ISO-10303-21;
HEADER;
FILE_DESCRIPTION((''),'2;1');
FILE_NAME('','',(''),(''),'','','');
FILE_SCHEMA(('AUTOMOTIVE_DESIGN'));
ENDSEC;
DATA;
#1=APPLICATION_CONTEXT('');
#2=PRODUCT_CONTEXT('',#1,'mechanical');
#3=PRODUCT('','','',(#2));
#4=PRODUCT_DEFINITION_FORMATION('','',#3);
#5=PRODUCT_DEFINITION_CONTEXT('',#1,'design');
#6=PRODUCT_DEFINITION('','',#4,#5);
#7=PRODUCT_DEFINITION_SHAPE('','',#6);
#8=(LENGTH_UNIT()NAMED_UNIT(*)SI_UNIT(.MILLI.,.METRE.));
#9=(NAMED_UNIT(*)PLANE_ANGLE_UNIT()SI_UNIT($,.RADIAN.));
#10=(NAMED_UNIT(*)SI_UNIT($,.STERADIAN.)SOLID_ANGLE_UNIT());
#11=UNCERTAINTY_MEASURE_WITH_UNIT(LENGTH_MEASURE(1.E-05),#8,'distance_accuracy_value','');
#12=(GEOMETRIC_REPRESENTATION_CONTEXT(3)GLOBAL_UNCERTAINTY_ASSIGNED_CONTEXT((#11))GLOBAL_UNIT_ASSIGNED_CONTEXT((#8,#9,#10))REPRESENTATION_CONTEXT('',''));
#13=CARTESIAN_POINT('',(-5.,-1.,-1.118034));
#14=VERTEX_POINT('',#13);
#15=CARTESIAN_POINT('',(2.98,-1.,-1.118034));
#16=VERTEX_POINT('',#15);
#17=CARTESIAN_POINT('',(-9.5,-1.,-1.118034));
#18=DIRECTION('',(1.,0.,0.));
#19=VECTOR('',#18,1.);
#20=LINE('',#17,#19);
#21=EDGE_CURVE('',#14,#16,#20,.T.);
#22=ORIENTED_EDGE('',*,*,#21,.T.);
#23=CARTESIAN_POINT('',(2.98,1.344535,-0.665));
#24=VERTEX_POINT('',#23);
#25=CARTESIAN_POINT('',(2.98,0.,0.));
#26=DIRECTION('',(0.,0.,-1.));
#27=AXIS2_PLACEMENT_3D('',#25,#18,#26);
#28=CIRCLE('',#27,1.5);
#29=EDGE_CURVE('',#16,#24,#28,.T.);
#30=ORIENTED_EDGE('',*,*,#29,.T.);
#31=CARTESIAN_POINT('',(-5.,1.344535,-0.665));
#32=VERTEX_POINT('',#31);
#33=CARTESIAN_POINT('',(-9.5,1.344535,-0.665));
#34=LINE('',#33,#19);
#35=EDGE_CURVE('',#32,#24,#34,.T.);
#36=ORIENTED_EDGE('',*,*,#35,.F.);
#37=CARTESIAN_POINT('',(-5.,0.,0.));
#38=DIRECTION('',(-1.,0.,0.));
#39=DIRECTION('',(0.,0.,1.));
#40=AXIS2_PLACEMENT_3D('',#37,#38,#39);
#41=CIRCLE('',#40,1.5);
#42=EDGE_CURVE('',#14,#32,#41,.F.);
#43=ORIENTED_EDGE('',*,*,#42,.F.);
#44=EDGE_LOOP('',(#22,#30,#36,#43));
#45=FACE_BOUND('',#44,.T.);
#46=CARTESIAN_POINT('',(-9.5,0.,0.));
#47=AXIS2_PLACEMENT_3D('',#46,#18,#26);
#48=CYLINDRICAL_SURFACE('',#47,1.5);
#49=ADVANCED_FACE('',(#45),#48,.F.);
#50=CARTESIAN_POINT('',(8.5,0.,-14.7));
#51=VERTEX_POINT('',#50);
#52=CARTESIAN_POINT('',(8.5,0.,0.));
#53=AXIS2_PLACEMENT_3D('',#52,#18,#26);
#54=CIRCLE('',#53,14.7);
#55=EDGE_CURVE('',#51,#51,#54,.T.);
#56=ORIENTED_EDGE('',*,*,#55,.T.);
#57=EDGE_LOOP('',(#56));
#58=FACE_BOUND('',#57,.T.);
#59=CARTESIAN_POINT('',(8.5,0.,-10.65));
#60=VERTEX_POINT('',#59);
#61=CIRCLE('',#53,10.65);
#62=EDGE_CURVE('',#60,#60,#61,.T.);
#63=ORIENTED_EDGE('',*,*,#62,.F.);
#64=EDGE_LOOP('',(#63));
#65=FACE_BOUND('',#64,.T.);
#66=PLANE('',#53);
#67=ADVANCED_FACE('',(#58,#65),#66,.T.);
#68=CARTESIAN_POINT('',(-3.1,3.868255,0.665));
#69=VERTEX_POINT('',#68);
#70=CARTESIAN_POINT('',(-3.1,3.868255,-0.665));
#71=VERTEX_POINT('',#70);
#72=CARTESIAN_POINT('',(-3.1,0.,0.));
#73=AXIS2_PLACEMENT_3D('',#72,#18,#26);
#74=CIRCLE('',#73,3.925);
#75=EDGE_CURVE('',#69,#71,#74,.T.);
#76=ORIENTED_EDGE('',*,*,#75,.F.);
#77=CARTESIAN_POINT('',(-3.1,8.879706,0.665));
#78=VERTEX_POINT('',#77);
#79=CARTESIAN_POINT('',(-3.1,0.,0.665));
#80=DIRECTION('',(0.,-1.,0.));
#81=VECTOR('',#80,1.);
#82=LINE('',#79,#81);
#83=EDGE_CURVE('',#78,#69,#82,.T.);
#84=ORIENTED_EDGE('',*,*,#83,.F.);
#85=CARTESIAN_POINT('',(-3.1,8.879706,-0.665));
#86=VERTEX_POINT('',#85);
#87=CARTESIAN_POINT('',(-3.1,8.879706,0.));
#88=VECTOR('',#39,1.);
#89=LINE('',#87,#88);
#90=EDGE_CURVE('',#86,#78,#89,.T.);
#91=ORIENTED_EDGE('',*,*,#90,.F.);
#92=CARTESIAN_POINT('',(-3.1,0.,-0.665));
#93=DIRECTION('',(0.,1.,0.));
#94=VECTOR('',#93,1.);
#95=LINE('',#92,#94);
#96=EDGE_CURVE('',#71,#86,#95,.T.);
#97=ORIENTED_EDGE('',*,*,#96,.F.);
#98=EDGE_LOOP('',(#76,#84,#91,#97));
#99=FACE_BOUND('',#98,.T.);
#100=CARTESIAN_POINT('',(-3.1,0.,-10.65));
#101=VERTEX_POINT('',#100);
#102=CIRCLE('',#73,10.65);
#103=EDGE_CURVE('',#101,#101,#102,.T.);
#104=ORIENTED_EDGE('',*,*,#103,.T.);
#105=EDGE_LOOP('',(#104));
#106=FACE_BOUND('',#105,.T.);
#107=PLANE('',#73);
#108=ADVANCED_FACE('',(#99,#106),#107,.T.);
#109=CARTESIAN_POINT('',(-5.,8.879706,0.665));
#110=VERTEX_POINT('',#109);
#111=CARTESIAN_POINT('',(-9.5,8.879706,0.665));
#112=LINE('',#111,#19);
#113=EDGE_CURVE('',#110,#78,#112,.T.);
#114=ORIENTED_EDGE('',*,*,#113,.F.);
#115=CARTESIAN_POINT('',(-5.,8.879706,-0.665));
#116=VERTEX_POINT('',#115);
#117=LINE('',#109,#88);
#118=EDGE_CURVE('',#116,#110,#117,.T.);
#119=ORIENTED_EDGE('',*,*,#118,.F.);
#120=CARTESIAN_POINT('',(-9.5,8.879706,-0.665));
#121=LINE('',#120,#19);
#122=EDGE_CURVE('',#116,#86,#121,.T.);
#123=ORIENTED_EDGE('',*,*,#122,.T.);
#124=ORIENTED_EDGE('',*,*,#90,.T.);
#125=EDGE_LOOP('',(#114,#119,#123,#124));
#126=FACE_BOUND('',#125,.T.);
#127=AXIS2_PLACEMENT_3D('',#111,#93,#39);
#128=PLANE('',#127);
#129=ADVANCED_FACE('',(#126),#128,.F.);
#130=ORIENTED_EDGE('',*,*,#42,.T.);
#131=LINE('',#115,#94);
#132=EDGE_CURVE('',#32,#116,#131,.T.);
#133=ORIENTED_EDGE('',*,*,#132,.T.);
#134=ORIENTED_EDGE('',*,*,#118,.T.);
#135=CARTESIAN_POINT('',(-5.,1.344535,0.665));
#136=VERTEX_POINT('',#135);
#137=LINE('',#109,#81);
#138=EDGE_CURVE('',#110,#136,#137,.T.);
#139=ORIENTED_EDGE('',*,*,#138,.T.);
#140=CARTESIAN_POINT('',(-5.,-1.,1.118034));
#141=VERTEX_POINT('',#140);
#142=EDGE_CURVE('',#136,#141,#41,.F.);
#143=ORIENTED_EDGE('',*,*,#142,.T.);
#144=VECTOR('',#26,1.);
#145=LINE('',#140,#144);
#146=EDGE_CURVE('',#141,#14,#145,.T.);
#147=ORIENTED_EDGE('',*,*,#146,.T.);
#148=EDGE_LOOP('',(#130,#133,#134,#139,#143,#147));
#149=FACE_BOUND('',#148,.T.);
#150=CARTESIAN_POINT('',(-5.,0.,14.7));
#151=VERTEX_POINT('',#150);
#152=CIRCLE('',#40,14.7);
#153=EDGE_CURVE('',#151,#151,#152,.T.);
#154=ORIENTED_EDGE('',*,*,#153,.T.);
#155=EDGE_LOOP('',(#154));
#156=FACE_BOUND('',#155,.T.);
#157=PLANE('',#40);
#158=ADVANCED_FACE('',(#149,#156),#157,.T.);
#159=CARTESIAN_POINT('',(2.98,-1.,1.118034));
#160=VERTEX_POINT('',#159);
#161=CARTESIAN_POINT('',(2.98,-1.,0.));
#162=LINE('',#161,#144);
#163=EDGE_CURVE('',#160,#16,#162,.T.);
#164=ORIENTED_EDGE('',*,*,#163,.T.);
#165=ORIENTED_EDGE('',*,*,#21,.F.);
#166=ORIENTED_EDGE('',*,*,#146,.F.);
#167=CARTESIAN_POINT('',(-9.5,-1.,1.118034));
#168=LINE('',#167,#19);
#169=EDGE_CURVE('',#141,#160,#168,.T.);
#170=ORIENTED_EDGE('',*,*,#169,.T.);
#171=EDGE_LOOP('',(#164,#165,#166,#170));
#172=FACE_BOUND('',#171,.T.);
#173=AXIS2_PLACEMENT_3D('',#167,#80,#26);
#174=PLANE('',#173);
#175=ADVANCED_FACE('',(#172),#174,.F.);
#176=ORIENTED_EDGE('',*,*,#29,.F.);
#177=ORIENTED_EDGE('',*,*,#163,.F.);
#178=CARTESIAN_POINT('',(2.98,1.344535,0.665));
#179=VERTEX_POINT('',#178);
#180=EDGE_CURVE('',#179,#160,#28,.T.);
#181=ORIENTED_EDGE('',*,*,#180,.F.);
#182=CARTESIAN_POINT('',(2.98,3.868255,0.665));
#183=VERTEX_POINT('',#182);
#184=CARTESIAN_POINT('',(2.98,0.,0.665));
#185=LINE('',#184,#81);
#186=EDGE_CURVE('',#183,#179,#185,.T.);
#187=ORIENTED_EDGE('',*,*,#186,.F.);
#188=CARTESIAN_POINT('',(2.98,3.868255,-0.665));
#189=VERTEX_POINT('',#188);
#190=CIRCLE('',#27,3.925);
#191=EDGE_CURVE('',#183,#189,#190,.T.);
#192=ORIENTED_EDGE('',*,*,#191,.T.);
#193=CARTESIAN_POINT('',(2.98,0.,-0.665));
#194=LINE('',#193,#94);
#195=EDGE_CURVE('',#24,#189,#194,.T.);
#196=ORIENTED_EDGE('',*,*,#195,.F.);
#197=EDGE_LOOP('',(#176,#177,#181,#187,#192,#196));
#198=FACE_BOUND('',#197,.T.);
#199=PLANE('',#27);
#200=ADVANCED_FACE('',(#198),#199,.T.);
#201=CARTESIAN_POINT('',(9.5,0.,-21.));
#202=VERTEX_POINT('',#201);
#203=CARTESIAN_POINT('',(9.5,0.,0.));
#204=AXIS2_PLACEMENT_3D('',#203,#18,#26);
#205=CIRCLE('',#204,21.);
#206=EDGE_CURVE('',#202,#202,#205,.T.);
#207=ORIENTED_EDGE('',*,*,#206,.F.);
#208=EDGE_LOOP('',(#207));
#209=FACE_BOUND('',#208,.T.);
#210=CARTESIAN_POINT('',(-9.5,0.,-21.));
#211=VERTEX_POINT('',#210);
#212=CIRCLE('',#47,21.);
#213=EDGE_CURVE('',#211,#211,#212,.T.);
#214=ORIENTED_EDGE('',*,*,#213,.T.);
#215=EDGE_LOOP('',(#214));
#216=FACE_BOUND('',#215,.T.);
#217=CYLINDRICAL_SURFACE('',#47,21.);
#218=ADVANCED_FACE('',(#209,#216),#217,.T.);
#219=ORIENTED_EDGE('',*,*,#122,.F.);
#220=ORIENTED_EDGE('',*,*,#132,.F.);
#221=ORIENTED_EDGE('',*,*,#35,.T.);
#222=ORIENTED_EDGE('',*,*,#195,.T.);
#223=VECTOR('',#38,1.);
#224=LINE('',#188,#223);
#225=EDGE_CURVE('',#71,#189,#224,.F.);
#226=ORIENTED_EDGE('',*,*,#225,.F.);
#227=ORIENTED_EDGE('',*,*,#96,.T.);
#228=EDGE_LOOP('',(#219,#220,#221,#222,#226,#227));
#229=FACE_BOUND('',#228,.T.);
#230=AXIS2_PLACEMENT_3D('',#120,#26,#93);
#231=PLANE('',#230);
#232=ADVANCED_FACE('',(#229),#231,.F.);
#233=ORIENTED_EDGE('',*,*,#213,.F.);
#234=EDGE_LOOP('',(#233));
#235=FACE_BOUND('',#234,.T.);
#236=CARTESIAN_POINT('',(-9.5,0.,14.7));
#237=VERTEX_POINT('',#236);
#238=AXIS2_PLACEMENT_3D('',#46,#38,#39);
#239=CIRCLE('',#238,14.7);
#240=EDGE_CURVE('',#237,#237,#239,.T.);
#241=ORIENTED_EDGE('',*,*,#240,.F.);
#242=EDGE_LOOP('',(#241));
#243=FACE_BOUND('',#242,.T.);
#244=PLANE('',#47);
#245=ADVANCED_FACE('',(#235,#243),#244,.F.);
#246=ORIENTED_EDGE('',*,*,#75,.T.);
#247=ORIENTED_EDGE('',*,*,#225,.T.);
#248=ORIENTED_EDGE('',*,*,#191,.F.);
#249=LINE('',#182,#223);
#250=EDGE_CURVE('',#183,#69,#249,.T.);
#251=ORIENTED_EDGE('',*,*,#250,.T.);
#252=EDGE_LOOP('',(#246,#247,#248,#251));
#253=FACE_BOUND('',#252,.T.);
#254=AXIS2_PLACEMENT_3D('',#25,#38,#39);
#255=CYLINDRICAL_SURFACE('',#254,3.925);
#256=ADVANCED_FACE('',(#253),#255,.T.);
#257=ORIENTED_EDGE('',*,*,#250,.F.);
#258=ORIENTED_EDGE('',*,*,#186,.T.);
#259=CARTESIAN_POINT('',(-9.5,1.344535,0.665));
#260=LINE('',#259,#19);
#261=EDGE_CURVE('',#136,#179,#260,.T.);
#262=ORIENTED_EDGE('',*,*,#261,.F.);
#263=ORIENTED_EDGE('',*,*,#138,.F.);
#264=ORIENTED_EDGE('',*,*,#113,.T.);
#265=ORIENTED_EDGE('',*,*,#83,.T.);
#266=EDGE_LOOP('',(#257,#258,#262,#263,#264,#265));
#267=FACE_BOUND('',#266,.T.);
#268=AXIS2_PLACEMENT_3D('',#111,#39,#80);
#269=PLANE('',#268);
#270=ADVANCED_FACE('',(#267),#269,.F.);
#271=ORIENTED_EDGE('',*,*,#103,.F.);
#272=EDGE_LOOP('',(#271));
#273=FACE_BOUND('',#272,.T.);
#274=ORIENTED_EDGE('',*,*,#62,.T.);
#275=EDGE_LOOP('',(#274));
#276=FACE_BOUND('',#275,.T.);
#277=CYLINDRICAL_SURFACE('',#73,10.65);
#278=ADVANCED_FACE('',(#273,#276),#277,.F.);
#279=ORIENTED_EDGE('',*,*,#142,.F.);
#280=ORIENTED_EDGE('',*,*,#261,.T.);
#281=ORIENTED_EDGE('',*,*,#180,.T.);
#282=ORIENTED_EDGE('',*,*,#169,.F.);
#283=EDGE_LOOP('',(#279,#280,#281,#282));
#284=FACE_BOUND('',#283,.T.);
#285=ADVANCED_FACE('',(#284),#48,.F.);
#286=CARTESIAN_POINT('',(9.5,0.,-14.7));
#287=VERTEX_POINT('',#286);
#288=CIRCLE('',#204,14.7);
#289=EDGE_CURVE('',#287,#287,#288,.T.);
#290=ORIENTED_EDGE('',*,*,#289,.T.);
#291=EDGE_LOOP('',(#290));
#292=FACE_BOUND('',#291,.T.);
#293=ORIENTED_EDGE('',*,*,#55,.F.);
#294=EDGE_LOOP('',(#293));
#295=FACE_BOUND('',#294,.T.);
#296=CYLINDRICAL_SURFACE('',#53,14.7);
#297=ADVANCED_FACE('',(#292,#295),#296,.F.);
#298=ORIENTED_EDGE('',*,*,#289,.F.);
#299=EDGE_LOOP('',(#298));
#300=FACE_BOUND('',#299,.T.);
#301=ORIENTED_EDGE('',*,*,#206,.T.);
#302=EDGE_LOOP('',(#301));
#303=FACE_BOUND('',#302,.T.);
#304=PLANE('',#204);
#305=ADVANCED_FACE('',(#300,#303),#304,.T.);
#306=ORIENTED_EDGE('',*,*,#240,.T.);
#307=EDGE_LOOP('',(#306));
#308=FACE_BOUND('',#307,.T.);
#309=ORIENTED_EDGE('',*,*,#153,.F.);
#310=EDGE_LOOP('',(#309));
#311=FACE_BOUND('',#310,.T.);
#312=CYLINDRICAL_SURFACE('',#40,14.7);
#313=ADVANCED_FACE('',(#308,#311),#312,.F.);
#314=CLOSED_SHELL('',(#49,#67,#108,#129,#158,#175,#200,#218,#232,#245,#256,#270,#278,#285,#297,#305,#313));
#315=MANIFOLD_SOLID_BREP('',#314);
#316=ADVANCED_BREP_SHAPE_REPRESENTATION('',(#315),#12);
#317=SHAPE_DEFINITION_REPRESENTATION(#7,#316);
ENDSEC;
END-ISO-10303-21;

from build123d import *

# Parameters (mm, degrees)
BOSS_EXTRUDE1_DEPTH      = 9.5
BOSS_EXTRUDE1_DEPTH_BACK = 9.5
SKETCH1_R                = 21
SKETCH5_R                = 14.7
CUT_EXTRUDE3_DEPTH       = 1
SKETCH6_R                = 10.65
CUT_EXTRUDE4_DEPTH       = 11.6
SKETCH7_R                = 3.925
BOSS_EXTRUDE2_DEPTH      = 6.08
CUT_EXTRUDE1_DEPTH       = 36.256205128
CUT_EXTRUDE2_START       = -4.5
SKETCH4_R                = 14.7
CUT_EXTRUDE2_DEPTH       = 4.5


with BuildPart() as part:
    # Sketch1 → Boss-Extrude1 (new, two sides: drawn at the far end of the back side and taken through both)
    with BuildSketch(Plane(origin=(0, 0, 0), x_dir=(0, 0, -1), z_dir=(1, 0, 0)).offset(-BOSS_EXTRUDE1_DEPTH_BACK)):
        Circle(SKETCH1_R)
    extrude(amount=BOSS_EXTRUDE1_DEPTH + BOSS_EXTRUDE1_DEPTH_BACK)

    # Sketch5 → Cut-Extrude3 (cut)
    with BuildSketch(Plane(origin=(9.5, 0, 0), x_dir=(0, 0, -1), z_dir=(1, 0, 0))):
        Circle(SKETCH5_R)
    extrude(amount=-CUT_EXTRUDE3_DEPTH, mode=Mode.SUBTRACT)

    # Sketch6 → Cut-Extrude4 (cut)
    with BuildSketch(Plane(origin=(8.5, 0, 0), x_dir=(0, 0, -1), z_dir=(1, 0, 0))):
        Circle(SKETCH6_R)
    extrude(amount=-CUT_EXTRUDE4_DEPTH, mode=Mode.SUBTRACT)

    # Sketch7 → Boss-Extrude2 (add)
    with BuildSketch(Plane(origin=(-3.1, 0, 0), x_dir=(0, 0, -1), z_dir=(1, 0, 0))):
        Circle(SKETCH7_R)
    extrude(amount=BOSS_EXTRUDE2_DEPTH)

    # Sketch2 → Cut-Extrude1 (cut, through all)
    with BuildSketch(Plane(origin=(9.5, 0, 0), x_dir=(0, 0, -1), z_dir=(1, 0, 0))):
        with BuildLine():
            Line((-1.118033989, -1), (1.118033989, -1))
            ThreePointArc((1.118033989, -1), (1.472757251, 0.284580535), (0.665, 1.344535236))
            Line((0.665, 1.344535236), (0.665, 8.879705587))
            Line((0.665, 8.879705587), (-0.665, 8.879705587))
            Line((-0.665, 8.879705587), (-0.665, 1.344535236))
            ThreePointArc((-0.665, 1.344535236), (-1.472757251, 0.284580535), (-1.118033989, -1))
        make_face()
    extrude(amount=-CUT_EXTRUDE1_DEPTH, mode=Mode.SUBTRACT)

    # Sketch4 → Cut-Extrude2 (cut)
    with BuildSketch(Plane.ZY.offset(9.5).offset(CUT_EXTRUDE2_START)):
        Circle(SKETCH4_R)
    extrude(amount=CUT_EXTRUDE2_DEPTH, mode=Mode.SUBTRACT)


solid = part.part
